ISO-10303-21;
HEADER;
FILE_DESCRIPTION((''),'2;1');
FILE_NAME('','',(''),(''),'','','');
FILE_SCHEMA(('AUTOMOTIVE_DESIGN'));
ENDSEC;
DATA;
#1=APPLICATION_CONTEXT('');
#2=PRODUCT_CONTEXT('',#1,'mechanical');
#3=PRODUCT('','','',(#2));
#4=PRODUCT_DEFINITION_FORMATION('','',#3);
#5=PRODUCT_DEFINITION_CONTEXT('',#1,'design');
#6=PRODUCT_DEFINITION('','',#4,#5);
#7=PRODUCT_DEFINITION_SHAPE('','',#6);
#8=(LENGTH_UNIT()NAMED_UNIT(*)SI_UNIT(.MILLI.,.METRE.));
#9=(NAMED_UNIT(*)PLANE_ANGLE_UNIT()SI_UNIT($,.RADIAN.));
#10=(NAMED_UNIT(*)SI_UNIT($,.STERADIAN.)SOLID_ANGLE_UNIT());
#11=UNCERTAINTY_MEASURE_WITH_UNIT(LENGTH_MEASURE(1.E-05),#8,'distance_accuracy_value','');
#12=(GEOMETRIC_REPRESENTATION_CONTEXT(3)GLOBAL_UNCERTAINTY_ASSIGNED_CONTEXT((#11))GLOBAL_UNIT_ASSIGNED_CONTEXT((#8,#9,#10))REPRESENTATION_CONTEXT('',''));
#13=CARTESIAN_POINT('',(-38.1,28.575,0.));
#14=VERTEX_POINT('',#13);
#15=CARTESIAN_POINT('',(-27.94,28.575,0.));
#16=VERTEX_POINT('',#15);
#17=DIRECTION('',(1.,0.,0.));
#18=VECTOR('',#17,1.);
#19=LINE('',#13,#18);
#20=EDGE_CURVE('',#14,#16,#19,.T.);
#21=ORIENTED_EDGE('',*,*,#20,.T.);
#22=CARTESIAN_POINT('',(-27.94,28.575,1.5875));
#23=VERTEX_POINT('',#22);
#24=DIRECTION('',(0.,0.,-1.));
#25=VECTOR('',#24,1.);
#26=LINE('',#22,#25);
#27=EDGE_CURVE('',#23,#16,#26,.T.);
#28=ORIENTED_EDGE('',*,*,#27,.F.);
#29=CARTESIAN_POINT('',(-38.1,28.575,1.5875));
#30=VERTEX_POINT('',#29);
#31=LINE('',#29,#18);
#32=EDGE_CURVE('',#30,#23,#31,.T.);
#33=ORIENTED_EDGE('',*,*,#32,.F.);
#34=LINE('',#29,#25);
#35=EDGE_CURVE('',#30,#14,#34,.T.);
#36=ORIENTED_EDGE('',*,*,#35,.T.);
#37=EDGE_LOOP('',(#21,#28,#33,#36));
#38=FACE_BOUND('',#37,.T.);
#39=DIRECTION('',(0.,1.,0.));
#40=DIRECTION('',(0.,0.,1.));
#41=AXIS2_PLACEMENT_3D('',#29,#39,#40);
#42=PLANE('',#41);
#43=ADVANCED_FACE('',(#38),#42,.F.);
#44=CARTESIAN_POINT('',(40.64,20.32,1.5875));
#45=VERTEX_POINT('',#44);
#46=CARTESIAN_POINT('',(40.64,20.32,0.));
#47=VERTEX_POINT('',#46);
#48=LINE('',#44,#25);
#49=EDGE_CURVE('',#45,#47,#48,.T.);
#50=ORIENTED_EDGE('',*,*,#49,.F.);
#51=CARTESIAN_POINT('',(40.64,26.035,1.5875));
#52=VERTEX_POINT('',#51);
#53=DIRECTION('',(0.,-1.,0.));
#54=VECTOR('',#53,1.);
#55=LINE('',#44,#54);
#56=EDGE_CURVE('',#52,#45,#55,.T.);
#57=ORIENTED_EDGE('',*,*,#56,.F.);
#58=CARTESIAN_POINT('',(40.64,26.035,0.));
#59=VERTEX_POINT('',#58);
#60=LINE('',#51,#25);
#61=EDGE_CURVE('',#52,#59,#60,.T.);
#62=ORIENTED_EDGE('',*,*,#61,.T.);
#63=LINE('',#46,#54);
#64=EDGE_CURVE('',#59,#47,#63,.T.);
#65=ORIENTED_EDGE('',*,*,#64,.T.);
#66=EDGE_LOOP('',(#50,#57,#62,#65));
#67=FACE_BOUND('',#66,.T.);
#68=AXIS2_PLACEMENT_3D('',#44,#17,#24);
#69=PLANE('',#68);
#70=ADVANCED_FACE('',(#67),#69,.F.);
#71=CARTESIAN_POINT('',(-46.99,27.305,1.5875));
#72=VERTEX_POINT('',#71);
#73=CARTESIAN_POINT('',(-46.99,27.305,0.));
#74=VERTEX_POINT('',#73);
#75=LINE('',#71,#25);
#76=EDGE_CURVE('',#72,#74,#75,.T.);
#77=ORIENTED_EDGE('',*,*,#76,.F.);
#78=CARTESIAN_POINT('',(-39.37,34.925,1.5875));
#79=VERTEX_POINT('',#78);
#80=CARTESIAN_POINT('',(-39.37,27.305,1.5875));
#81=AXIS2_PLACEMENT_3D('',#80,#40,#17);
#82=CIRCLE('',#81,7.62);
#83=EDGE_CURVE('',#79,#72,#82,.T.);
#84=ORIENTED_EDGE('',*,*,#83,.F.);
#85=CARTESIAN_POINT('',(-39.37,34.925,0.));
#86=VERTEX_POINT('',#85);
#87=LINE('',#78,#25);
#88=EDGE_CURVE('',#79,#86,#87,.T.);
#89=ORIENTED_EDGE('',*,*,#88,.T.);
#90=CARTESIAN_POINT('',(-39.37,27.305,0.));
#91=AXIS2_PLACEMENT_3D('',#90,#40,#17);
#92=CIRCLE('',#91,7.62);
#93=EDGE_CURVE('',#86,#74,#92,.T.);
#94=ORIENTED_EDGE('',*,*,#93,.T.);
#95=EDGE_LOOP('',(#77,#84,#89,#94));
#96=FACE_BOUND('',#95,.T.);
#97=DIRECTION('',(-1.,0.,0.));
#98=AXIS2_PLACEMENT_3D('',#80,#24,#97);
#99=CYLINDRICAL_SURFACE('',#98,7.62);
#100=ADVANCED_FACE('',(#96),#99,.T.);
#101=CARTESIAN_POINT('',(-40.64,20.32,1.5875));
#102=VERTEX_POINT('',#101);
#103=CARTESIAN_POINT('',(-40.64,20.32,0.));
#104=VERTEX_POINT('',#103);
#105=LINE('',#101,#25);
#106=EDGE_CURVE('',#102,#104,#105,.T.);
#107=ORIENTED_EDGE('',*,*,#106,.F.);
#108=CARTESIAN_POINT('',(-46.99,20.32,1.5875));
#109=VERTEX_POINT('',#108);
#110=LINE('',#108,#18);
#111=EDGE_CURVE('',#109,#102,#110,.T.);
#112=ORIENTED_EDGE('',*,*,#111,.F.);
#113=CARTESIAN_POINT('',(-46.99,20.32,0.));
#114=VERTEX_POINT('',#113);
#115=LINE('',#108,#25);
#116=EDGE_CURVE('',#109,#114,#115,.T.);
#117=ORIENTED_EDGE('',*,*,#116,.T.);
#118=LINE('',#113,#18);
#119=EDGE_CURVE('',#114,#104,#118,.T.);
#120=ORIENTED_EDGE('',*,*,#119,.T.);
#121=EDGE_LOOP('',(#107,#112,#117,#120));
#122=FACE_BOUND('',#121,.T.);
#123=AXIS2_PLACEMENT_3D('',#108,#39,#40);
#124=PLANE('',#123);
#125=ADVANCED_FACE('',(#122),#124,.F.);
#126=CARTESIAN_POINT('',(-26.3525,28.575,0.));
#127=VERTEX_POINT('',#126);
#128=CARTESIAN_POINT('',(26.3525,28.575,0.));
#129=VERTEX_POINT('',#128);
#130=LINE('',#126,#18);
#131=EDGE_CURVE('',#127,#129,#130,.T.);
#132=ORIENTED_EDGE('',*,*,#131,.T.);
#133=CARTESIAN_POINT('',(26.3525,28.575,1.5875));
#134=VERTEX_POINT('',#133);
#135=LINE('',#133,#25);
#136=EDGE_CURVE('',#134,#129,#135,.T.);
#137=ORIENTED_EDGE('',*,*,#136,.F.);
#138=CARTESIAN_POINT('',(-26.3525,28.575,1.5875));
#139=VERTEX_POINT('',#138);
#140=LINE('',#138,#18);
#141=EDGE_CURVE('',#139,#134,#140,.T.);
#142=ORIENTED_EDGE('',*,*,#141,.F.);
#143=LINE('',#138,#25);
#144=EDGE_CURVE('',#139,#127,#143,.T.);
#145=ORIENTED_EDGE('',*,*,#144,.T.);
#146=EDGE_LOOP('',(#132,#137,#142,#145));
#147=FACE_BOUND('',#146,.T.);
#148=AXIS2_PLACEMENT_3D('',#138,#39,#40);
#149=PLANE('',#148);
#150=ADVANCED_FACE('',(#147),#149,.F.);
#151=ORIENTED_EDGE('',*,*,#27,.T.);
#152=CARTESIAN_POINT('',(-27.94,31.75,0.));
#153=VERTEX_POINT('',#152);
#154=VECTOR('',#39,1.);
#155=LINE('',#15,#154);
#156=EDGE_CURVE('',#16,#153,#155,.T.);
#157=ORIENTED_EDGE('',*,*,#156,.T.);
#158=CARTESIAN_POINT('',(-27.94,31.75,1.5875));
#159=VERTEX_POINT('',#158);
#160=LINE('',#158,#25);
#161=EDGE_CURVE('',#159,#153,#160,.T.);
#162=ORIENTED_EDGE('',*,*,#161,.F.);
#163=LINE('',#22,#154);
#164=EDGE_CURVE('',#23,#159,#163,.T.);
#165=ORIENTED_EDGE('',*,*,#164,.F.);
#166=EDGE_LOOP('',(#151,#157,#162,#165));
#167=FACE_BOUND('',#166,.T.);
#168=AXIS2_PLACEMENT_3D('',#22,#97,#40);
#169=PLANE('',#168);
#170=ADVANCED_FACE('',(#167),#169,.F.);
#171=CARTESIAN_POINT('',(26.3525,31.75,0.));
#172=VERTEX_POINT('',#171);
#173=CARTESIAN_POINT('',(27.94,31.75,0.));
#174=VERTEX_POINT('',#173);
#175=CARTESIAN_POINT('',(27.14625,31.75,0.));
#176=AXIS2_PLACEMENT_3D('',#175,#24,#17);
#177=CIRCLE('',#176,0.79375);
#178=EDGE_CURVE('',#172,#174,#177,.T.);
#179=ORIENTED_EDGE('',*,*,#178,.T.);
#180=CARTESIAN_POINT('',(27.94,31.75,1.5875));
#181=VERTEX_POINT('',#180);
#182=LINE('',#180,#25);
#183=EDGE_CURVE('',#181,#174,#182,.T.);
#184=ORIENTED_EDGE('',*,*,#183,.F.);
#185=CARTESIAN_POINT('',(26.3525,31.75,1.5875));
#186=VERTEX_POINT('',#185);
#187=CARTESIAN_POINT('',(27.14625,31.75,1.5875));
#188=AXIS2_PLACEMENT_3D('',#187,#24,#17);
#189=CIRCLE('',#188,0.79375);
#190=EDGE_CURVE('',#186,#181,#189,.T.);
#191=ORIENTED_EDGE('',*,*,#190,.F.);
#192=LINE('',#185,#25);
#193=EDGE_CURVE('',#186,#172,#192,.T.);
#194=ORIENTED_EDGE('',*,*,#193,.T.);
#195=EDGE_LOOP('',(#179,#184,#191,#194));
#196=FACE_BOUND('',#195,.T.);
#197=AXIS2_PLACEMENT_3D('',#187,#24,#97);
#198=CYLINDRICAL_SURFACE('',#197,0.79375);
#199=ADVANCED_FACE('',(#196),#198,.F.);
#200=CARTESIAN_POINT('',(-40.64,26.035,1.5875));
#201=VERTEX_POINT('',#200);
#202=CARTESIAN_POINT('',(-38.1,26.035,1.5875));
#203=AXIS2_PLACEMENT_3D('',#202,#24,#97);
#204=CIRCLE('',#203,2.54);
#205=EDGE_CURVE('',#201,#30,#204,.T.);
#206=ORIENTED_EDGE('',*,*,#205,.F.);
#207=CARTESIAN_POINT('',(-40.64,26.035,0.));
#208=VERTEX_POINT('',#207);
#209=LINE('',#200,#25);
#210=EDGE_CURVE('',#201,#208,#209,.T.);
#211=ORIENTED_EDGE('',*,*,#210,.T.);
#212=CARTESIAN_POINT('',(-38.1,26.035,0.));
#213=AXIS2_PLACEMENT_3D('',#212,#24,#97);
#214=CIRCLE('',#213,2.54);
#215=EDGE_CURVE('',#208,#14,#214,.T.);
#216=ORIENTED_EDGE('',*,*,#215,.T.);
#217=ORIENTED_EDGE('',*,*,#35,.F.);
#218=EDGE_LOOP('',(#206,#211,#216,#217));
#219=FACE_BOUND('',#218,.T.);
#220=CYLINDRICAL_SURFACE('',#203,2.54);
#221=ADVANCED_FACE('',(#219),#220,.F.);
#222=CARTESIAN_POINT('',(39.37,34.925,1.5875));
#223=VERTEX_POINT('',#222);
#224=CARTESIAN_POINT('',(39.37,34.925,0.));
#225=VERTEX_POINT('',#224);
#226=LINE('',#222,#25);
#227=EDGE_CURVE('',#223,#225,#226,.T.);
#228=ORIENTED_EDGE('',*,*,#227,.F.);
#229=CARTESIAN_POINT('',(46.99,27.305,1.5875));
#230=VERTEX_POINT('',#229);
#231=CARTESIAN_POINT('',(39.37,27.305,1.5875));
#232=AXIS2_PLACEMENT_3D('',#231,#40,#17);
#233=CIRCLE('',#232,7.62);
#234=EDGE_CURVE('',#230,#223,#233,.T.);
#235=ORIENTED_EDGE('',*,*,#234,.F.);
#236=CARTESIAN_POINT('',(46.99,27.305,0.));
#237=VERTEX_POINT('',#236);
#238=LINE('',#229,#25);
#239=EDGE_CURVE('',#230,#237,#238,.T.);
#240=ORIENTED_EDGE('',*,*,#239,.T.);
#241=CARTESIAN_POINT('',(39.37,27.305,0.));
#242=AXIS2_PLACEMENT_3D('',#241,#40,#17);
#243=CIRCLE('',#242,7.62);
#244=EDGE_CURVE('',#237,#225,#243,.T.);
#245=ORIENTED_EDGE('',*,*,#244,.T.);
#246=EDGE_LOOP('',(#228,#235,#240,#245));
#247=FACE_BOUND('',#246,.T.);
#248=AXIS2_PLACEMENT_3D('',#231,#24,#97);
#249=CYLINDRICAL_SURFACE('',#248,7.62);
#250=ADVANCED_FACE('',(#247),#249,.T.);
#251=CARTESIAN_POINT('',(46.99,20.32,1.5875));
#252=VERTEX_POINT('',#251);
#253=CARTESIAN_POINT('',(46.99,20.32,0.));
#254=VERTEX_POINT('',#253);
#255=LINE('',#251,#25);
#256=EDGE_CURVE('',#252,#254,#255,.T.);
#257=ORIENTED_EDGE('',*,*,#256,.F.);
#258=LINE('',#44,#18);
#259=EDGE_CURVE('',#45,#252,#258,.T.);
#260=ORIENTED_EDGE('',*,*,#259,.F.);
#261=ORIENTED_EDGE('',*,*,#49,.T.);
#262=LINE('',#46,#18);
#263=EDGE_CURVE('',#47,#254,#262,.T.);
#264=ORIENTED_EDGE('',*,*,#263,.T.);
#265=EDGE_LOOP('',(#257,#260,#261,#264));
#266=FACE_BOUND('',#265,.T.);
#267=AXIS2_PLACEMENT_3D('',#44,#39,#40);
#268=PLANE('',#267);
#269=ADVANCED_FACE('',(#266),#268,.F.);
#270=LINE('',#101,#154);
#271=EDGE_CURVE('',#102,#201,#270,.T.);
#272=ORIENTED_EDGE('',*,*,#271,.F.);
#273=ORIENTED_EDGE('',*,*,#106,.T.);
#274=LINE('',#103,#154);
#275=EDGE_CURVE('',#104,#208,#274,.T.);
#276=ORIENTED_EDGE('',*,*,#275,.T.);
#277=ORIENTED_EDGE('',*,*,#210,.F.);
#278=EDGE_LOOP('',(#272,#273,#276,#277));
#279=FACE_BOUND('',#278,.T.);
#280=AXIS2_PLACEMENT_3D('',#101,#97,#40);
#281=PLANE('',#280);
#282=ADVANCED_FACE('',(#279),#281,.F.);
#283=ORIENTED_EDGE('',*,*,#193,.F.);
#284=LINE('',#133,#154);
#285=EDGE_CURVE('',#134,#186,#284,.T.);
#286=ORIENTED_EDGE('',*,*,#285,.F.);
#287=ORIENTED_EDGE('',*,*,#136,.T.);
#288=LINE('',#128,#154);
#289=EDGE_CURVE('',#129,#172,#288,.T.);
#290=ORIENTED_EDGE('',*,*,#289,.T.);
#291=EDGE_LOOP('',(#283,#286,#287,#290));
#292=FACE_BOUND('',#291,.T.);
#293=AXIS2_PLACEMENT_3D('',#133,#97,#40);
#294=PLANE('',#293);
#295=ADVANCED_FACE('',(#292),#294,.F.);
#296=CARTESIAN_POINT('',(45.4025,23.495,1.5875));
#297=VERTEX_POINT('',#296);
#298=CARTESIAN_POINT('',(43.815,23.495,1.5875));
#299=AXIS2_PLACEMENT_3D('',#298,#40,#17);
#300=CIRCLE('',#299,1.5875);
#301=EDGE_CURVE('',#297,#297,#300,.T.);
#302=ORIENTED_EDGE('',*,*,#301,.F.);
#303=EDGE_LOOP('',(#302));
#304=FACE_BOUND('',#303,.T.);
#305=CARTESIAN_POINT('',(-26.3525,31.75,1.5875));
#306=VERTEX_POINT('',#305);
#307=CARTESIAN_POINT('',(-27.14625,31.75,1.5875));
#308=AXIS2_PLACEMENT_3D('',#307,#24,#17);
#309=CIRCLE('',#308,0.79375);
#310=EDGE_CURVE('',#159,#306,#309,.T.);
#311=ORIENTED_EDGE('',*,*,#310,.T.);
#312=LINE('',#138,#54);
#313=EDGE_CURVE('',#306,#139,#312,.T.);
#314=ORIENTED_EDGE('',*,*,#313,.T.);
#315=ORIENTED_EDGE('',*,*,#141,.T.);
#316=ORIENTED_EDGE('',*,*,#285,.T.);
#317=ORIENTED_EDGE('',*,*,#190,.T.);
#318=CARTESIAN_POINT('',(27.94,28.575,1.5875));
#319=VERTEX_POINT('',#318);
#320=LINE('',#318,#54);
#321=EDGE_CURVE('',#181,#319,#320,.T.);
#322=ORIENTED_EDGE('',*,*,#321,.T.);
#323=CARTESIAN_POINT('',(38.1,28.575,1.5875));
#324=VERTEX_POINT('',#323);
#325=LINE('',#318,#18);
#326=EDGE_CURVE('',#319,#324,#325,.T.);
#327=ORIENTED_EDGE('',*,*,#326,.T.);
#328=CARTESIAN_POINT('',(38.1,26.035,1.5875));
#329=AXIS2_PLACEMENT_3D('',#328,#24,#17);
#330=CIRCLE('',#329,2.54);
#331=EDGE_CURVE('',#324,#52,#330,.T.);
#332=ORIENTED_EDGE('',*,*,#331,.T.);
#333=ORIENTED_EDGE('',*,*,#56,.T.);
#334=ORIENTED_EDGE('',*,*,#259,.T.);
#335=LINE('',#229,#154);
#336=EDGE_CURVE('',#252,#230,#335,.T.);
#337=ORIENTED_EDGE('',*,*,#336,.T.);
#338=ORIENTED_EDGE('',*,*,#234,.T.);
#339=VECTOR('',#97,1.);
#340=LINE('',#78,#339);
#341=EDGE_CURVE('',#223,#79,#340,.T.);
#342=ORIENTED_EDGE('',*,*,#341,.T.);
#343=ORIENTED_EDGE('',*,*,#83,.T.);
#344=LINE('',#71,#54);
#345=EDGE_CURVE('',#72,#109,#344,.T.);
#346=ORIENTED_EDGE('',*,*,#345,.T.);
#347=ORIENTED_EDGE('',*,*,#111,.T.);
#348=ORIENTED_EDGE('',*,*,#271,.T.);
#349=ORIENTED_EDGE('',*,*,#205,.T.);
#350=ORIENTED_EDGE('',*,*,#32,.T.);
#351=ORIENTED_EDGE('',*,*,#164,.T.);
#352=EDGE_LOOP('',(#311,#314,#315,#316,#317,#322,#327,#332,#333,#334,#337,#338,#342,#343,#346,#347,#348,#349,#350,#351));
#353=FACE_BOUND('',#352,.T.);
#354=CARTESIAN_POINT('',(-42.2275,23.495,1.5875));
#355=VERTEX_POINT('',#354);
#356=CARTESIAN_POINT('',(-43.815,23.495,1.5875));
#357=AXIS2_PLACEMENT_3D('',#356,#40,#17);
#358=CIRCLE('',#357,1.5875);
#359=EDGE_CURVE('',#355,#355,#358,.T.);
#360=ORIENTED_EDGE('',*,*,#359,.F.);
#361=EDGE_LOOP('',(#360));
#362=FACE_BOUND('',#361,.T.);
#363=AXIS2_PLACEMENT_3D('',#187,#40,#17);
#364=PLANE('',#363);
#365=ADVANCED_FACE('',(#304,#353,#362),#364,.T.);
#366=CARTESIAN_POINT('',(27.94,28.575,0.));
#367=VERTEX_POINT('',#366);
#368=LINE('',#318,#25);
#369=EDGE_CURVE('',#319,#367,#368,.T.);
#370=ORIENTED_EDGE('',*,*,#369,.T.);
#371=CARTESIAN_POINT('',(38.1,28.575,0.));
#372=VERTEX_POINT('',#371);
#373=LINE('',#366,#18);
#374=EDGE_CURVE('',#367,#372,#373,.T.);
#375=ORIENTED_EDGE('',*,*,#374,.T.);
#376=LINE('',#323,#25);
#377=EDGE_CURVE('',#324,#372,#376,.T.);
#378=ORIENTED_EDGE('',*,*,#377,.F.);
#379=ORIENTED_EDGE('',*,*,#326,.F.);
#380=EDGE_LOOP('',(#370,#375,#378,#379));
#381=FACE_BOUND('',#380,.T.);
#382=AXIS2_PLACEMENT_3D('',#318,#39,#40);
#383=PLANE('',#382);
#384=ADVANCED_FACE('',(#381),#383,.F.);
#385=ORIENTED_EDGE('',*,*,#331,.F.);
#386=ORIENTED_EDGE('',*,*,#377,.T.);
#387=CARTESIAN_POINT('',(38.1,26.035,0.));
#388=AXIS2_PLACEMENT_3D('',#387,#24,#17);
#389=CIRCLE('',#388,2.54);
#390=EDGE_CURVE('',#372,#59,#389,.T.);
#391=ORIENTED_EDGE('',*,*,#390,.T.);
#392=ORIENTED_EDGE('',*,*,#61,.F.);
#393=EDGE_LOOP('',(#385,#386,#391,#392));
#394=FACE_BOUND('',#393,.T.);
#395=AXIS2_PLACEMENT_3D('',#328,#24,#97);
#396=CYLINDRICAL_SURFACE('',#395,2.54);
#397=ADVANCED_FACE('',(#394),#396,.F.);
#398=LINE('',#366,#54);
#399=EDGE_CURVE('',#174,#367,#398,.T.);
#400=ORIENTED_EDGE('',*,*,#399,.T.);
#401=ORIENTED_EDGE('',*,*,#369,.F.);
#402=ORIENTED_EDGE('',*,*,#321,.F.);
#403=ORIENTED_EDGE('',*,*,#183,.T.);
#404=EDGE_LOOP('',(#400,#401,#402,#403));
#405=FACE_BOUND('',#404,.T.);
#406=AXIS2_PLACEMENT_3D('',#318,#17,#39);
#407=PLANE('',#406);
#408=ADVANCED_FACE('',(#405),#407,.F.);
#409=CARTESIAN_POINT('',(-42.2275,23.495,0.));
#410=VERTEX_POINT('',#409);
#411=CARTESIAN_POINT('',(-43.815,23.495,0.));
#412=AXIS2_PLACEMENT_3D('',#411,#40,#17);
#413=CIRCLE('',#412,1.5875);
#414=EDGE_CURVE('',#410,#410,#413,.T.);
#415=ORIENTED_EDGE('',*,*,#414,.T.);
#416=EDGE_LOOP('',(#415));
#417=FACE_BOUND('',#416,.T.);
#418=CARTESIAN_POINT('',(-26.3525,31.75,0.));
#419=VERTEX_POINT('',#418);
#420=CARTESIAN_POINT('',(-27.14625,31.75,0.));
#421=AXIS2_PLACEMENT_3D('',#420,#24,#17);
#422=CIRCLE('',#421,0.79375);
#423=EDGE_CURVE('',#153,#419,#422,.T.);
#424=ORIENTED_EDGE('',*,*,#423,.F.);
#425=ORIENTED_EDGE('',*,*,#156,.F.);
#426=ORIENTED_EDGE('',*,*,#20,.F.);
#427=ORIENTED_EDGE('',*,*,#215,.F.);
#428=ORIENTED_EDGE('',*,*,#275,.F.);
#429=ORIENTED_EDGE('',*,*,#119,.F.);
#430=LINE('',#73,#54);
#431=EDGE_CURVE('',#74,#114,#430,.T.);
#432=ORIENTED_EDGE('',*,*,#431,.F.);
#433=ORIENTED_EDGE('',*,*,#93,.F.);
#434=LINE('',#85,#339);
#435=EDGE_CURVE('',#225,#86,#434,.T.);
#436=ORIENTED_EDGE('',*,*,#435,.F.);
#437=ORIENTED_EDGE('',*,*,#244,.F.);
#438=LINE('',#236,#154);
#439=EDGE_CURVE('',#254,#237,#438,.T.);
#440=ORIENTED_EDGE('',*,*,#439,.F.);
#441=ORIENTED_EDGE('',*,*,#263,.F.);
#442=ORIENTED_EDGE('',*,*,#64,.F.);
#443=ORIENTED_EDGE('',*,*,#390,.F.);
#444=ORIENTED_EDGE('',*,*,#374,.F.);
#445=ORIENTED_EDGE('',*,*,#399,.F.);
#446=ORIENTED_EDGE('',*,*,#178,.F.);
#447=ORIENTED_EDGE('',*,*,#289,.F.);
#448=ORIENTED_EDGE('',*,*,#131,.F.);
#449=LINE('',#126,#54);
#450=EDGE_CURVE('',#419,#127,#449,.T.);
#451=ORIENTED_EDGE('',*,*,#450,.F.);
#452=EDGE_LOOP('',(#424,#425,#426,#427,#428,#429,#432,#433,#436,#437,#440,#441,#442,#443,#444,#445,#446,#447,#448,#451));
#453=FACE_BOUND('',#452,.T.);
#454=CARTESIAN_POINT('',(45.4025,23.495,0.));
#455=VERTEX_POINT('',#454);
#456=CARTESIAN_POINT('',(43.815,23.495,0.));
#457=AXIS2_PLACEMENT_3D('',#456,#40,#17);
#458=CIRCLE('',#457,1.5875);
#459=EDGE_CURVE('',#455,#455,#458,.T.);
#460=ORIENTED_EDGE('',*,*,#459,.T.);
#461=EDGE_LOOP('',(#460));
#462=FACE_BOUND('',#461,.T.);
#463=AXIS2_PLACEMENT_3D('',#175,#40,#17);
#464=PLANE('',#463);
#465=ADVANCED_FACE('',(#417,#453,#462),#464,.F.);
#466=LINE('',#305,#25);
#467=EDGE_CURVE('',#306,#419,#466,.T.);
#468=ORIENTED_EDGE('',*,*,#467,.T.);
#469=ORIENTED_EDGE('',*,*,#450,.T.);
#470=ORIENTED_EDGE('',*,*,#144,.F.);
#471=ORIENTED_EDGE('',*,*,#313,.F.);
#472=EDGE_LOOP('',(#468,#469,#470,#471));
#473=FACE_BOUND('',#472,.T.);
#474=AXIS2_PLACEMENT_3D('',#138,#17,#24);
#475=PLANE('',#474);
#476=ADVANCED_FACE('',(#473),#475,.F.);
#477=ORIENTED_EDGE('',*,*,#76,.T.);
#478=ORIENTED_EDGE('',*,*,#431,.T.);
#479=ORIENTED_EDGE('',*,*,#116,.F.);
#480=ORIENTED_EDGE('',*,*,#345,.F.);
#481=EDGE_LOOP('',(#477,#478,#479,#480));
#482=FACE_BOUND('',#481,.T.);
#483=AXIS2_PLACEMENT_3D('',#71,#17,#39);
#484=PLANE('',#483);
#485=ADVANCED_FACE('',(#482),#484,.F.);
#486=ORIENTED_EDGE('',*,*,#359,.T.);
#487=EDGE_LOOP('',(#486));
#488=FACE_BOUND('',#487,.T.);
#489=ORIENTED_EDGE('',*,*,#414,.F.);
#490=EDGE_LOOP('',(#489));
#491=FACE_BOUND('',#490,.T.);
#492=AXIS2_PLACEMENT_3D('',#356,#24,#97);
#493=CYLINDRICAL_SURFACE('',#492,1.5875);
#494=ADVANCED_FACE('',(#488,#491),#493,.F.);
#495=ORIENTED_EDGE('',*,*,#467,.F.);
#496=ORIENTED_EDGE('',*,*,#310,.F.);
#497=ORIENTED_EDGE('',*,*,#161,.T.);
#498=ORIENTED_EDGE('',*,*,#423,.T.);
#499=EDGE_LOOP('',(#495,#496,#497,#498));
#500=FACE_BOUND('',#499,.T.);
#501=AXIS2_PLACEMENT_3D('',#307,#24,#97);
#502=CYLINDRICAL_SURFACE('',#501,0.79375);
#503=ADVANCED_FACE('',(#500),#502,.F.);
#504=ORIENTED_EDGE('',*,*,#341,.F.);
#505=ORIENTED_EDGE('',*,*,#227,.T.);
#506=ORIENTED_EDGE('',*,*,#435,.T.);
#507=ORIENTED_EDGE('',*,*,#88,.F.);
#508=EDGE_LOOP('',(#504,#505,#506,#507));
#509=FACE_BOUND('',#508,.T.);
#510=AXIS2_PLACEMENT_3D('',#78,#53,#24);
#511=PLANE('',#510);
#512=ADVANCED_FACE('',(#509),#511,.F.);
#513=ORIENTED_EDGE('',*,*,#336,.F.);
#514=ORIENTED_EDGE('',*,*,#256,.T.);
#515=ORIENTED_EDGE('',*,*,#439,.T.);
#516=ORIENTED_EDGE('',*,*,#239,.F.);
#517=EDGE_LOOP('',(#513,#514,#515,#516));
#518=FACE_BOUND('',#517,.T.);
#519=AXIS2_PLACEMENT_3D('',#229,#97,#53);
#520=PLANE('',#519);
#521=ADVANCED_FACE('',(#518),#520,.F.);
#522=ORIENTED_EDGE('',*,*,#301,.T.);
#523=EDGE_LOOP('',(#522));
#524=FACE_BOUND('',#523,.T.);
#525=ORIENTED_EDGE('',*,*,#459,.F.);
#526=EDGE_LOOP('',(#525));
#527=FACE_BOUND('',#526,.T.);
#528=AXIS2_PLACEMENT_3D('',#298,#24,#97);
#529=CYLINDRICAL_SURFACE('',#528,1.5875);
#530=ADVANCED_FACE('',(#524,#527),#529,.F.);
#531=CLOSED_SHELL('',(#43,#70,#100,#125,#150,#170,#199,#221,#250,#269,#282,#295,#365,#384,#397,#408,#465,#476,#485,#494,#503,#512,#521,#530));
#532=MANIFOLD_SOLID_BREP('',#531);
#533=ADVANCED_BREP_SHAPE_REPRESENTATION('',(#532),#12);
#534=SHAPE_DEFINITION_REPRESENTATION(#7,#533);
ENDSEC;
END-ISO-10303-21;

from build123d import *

# Parameters (mm, degrees)
SKETCH1_R           = 1.5875
BOSS_EXTRUDE1_DEPTH = 1.5875


with BuildPart() as part:
    # Sketch1 → Boss-Extrude1 (new body)
    with BuildSketch(Plane.XY):
        with BuildLine():
            Line((-40.64, 20.32), (-40.64, 26.035))
            ThreePointArc((-40.64, 26.035), (-39.896051224, 27.831051224), (-38.1, 28.575))
            Line((-38.1, 28.575), (-27.94, 28.575))
            Line((-27.94, 28.575), (-27.94, 31.75))
            ThreePointArc((-27.94, 31.75), (-27.14625, 32.54375), (-26.3525, 31.75))
            Line((-26.3525, 31.75), (-26.3525, 28.575))
            Line((-26.3525, 28.575), (26.3525, 28.575))
            Line((26.3525, 28.575), (26.3525, 31.75))
            ThreePointArc((26.3525, 31.75), (27.14625, 32.54375), (27.94, 31.75))
            Line((27.94, 31.75), (27.94, 28.575))
            Line((27.94, 28.575), (38.1, 28.575))
            ThreePointArc((38.1, 28.575), (39.896051224, 27.831051224), (40.64, 26.035))
            Line((40.64, 26.035), (40.64, 20.32))
            Line((40.64, 20.32), (46.99, 20.32))
            Line((46.99, 20.32), (46.99, 27.305))
            ThreePointArc((46.99, 27.305), (44.758153673, 32.693153673), (39.37, 34.925))
            Line((39.37, 34.925), (-39.37, 34.925))
            ThreePointArc((-39.37, 34.925), (-44.758153673, 32.693153673), (-46.99, 27.305))
            Line((-46.99, 27.305), (-46.99, 20.32))
            Line((-46.99, 20.32), (-40.64, 20.32))
        make_face()
        with Locations((-43.815, 23.495)):
            Circle(SKETCH1_R, mode=Mode.SUBTRACT)
        with Locations((43.815, 23.495)):
            Circle(SKETCH1_R, mode=Mode.SUBTRACT)
    extrude(amount=BOSS_EXTRUDE1_DEPTH)


solid = part.part
